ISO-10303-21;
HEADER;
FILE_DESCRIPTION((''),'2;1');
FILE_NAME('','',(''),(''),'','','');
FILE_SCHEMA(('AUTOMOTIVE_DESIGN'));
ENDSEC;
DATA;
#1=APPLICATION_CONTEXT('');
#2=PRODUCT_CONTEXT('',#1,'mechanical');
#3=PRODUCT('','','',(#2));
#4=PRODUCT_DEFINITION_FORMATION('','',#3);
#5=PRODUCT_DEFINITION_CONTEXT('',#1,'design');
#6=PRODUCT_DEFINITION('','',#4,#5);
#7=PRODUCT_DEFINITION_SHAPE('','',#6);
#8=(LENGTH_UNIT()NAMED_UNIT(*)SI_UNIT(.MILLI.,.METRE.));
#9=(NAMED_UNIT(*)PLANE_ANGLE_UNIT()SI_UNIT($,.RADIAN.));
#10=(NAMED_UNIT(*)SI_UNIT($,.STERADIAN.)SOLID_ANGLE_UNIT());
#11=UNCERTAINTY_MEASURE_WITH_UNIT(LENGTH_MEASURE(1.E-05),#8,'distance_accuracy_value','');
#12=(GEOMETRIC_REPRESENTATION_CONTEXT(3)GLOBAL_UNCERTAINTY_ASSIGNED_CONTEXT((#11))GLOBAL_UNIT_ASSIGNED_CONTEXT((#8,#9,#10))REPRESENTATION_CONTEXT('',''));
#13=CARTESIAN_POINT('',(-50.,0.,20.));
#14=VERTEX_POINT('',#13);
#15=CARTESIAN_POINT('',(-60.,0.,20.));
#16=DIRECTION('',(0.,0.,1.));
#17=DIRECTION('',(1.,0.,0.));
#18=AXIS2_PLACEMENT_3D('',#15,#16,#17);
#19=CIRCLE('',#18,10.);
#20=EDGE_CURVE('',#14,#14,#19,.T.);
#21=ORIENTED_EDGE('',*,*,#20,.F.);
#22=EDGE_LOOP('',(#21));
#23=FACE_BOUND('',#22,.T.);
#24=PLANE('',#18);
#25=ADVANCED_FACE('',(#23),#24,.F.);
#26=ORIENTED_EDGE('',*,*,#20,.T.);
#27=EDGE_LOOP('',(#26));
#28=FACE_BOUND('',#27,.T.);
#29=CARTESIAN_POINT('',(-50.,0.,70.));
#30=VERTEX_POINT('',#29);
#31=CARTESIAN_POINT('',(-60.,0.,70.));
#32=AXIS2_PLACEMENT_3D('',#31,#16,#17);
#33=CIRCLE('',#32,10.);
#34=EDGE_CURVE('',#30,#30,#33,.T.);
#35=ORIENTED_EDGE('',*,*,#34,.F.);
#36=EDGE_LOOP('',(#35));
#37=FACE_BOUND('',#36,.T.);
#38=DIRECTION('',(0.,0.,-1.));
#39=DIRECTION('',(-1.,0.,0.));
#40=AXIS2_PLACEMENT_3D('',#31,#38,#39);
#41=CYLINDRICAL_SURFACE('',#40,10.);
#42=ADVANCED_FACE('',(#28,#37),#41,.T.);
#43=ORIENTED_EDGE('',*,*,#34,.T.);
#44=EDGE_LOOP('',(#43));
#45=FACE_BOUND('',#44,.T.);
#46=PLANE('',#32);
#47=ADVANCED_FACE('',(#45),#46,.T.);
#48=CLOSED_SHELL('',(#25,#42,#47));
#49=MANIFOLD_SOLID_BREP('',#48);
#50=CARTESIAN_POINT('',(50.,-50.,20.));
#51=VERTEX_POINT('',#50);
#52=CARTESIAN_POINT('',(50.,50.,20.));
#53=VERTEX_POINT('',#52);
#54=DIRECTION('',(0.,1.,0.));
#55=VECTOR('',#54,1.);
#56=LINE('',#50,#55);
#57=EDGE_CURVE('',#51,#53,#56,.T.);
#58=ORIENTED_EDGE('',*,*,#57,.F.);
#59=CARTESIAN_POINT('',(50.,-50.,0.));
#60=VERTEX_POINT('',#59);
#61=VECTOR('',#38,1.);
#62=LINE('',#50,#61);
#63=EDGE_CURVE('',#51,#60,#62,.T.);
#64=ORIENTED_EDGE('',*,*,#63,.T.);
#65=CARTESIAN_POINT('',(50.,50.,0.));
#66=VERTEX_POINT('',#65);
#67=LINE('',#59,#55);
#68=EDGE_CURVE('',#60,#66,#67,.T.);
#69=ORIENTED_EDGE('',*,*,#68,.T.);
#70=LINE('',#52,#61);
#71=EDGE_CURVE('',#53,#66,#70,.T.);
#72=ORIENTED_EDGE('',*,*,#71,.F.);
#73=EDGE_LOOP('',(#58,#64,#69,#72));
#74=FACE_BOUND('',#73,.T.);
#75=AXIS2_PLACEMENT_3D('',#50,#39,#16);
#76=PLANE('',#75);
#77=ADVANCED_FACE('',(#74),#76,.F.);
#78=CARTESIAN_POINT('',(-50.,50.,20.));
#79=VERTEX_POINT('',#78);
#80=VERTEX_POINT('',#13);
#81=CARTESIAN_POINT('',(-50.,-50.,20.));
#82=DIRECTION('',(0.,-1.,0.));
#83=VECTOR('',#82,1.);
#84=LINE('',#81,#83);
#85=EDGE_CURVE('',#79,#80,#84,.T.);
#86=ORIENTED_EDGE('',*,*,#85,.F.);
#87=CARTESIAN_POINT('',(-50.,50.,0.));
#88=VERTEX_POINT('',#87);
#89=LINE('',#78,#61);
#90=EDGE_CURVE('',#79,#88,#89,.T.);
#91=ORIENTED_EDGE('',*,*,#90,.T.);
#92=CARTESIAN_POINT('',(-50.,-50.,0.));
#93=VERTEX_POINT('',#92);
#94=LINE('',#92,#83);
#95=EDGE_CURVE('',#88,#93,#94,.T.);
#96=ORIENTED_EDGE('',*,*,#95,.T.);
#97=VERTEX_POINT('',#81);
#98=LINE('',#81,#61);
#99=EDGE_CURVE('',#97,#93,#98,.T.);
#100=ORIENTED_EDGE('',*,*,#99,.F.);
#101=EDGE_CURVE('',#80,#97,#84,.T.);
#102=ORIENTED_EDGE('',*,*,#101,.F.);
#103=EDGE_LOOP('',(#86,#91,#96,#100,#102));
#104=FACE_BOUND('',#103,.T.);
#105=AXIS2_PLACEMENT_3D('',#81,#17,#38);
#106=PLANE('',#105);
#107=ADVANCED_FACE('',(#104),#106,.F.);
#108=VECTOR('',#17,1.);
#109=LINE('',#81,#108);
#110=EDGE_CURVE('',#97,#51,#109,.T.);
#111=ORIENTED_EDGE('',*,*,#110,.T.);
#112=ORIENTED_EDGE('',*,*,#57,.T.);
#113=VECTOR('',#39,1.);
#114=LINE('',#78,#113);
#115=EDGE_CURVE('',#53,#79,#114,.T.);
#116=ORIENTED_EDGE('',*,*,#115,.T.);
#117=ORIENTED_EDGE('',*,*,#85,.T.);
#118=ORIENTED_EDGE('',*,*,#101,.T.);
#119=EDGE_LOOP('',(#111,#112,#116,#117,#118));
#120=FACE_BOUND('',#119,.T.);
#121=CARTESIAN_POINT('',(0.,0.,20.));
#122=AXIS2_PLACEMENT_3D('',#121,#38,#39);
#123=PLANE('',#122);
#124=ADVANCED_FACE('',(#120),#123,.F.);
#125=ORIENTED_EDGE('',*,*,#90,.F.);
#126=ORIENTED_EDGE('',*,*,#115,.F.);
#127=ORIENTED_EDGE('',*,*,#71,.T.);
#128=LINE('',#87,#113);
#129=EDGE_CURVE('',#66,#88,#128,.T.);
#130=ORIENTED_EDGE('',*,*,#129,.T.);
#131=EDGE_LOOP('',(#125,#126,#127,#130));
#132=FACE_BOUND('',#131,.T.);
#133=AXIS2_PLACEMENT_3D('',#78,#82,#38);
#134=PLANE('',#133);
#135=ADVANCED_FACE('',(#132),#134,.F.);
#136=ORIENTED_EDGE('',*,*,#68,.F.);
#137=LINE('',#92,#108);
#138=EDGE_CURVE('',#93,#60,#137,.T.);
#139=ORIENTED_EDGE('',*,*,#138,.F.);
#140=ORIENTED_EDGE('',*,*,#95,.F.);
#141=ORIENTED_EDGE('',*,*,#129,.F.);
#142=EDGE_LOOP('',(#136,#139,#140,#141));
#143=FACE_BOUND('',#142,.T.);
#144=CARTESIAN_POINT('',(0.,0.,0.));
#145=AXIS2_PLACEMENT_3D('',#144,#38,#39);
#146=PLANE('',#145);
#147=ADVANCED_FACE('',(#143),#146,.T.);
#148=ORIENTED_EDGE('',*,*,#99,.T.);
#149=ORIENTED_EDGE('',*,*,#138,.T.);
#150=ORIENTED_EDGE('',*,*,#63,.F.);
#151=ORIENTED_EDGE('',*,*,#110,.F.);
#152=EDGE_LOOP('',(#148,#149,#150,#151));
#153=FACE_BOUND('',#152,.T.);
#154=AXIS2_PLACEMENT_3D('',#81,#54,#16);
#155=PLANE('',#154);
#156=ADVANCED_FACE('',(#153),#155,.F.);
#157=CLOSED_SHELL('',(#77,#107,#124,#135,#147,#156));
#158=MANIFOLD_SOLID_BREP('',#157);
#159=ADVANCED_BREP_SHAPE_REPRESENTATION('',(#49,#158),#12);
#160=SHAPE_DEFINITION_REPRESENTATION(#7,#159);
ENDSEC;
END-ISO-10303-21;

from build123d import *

# Parameters (mm, degrees)
SKETCH_1_W      = 100
SKETCH_1_H      = 100
EXTRUDE_1_DEPTH = 20
SKETCH_2_R      = 10
EXTRUDE_2_DEPTH = 50


with BuildPart() as part:
    # 草图1 → 凸台-拉伸1 (new body)
    with BuildSketch(Plane.XY):
        Rectangle(SKETCH_1_W, SKETCH_1_H)
    extrude(amount=EXTRUDE_1_DEPTH)


with BuildPart() as body_2:
    # 草图2 → 凸台-拉伸2 (new body)
    with BuildSketch(Plane.XY.offset(20)):
        with Locations((-60, 0)):
            Circle(SKETCH_2_R)
    extrude(amount=EXTRUDE_2_DEPTH)


solid = Compound([part.part, body_2.part])
